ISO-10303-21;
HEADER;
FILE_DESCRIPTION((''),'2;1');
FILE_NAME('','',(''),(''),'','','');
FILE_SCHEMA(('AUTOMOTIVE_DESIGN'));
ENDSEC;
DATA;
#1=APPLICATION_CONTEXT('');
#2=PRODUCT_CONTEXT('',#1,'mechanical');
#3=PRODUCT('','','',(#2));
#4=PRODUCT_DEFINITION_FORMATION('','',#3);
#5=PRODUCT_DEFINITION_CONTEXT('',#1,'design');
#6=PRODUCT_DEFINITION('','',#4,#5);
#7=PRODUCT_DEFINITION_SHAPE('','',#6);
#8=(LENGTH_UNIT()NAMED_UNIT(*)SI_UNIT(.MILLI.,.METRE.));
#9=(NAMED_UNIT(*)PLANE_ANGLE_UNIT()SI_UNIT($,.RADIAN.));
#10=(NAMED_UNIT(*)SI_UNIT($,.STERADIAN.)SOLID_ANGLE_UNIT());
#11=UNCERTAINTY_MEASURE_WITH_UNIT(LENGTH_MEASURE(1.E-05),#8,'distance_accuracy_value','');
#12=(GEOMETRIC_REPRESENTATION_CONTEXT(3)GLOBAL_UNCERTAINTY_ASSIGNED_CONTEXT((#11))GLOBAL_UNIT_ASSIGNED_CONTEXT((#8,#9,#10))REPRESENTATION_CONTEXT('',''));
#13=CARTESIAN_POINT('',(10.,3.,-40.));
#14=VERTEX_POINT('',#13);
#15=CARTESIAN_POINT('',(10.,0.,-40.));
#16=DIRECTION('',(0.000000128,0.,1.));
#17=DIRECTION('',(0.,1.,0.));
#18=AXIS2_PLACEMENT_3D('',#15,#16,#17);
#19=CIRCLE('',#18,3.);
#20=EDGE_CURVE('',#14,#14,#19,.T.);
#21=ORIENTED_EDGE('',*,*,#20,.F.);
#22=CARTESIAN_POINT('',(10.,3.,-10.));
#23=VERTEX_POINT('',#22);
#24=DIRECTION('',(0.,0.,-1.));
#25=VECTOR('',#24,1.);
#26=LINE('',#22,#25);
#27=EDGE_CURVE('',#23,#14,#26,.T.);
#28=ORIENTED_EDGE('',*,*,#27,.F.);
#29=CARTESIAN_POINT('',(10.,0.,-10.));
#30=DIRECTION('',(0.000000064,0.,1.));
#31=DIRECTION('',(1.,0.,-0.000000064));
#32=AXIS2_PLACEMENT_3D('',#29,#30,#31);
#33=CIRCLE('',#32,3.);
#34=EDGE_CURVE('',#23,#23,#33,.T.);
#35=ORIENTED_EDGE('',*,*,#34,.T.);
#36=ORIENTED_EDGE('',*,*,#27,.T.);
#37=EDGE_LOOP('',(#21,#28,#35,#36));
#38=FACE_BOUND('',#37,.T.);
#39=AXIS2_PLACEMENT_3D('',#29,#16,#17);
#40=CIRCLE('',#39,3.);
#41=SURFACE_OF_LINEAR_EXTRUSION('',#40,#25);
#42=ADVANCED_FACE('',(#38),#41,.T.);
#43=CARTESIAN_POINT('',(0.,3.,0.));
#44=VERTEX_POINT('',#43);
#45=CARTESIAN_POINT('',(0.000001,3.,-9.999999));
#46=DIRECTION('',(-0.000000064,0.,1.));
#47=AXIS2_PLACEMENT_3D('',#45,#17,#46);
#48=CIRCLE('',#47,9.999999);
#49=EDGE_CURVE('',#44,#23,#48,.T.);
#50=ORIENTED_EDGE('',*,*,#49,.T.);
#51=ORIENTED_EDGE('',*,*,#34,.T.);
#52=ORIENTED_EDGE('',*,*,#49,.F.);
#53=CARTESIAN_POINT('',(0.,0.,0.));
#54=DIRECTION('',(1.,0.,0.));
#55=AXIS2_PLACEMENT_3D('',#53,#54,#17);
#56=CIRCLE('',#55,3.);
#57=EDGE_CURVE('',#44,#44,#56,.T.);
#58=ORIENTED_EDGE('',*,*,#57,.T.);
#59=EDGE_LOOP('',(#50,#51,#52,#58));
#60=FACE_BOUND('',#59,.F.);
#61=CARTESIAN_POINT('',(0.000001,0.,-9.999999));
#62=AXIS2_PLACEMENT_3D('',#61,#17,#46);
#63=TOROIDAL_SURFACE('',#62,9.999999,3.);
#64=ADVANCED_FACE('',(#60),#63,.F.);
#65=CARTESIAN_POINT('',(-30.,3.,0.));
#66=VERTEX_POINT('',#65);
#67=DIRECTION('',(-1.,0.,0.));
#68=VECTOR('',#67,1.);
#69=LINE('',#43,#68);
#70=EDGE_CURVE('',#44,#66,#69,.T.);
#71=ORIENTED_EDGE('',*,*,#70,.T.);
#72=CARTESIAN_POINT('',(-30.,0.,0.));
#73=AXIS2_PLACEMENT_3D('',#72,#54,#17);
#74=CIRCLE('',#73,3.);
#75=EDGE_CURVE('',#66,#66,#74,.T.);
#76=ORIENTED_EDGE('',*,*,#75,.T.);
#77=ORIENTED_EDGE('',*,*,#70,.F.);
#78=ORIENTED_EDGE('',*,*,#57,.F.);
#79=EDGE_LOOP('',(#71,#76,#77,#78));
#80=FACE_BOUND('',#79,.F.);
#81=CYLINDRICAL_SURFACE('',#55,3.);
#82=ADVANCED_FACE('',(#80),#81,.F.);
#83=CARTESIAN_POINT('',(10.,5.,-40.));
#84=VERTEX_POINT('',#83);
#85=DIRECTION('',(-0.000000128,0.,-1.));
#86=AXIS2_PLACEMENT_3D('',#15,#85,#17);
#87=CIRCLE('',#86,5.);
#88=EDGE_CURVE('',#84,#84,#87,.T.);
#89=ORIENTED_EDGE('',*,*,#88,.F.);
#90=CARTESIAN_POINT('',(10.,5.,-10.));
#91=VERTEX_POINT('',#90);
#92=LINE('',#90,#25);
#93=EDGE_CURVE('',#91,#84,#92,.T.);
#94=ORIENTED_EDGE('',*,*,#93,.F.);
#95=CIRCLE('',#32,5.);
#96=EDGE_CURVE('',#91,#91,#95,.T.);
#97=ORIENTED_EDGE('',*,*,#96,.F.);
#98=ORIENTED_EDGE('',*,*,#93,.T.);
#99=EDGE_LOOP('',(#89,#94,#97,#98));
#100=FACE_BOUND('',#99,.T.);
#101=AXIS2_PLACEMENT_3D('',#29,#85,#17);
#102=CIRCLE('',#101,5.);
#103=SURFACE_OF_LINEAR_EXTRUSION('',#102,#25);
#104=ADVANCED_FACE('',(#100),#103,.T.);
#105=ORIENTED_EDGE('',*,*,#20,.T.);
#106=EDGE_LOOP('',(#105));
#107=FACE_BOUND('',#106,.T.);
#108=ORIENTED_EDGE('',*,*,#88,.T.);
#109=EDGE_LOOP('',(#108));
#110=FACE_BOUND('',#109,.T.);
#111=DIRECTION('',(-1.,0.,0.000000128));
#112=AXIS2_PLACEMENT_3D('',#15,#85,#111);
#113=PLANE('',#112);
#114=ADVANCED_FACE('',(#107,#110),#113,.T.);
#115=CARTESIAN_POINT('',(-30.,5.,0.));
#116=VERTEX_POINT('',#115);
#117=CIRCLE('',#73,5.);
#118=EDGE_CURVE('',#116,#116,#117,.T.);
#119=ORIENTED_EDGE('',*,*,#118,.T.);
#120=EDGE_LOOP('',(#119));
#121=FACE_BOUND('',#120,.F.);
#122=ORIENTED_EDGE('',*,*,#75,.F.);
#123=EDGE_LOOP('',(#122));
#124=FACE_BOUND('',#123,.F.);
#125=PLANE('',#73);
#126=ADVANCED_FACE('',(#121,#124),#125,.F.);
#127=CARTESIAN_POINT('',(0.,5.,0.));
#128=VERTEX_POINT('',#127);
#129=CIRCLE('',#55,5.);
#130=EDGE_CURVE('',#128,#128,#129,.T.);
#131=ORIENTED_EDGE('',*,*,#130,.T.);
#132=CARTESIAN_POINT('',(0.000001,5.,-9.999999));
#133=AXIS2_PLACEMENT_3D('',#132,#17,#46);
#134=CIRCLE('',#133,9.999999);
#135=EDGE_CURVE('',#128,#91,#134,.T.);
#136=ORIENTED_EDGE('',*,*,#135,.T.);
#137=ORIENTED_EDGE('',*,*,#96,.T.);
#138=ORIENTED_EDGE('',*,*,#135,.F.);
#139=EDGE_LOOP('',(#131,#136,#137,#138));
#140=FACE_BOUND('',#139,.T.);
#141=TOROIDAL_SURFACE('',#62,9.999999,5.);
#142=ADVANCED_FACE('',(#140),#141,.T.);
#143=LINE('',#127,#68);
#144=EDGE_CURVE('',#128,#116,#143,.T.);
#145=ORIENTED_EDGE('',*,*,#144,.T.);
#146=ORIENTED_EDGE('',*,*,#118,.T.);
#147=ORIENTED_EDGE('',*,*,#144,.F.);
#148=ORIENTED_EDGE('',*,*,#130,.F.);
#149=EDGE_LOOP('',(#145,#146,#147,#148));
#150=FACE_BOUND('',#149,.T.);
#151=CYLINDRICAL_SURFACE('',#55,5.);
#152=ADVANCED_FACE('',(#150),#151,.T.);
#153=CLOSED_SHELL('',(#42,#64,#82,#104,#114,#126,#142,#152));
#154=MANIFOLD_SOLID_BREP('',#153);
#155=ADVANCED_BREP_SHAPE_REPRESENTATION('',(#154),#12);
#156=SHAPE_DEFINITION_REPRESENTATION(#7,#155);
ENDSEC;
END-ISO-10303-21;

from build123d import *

# Parameters (mm, degrees)
F0_R        = 5
F0_R_2      = 3
F1_DEPTH    = 30
F1_FACE_R   = 5
F1_FACE_R_2 = 3


with BuildPart() as f1:
    # F0 (on Right) → F1 (new body)
    with BuildSketch(Plane.YZ):
        Circle(F0_R)
        Circle(F0_R_2, mode=Mode.SUBTRACT)
    extrude(amount=-F1_DEPTH)

    # F3: sweep along a path in F2
    with BuildLine(Plane.XZ) as f3_path:
        ThreePointArc((0, 0), (7.071068, -2.928932), (10, -10))
        Line((10, -10), (10, -40))
    # F1_face (on face) → F3 (sweep)
    with BuildSketch(Plane.YZ):
        Circle(F1_FACE_R)
        Circle(F1_FACE_R_2, mode=Mode.SUBTRACT)
    sweep(path=f3_path.line)


solid = f1.part
